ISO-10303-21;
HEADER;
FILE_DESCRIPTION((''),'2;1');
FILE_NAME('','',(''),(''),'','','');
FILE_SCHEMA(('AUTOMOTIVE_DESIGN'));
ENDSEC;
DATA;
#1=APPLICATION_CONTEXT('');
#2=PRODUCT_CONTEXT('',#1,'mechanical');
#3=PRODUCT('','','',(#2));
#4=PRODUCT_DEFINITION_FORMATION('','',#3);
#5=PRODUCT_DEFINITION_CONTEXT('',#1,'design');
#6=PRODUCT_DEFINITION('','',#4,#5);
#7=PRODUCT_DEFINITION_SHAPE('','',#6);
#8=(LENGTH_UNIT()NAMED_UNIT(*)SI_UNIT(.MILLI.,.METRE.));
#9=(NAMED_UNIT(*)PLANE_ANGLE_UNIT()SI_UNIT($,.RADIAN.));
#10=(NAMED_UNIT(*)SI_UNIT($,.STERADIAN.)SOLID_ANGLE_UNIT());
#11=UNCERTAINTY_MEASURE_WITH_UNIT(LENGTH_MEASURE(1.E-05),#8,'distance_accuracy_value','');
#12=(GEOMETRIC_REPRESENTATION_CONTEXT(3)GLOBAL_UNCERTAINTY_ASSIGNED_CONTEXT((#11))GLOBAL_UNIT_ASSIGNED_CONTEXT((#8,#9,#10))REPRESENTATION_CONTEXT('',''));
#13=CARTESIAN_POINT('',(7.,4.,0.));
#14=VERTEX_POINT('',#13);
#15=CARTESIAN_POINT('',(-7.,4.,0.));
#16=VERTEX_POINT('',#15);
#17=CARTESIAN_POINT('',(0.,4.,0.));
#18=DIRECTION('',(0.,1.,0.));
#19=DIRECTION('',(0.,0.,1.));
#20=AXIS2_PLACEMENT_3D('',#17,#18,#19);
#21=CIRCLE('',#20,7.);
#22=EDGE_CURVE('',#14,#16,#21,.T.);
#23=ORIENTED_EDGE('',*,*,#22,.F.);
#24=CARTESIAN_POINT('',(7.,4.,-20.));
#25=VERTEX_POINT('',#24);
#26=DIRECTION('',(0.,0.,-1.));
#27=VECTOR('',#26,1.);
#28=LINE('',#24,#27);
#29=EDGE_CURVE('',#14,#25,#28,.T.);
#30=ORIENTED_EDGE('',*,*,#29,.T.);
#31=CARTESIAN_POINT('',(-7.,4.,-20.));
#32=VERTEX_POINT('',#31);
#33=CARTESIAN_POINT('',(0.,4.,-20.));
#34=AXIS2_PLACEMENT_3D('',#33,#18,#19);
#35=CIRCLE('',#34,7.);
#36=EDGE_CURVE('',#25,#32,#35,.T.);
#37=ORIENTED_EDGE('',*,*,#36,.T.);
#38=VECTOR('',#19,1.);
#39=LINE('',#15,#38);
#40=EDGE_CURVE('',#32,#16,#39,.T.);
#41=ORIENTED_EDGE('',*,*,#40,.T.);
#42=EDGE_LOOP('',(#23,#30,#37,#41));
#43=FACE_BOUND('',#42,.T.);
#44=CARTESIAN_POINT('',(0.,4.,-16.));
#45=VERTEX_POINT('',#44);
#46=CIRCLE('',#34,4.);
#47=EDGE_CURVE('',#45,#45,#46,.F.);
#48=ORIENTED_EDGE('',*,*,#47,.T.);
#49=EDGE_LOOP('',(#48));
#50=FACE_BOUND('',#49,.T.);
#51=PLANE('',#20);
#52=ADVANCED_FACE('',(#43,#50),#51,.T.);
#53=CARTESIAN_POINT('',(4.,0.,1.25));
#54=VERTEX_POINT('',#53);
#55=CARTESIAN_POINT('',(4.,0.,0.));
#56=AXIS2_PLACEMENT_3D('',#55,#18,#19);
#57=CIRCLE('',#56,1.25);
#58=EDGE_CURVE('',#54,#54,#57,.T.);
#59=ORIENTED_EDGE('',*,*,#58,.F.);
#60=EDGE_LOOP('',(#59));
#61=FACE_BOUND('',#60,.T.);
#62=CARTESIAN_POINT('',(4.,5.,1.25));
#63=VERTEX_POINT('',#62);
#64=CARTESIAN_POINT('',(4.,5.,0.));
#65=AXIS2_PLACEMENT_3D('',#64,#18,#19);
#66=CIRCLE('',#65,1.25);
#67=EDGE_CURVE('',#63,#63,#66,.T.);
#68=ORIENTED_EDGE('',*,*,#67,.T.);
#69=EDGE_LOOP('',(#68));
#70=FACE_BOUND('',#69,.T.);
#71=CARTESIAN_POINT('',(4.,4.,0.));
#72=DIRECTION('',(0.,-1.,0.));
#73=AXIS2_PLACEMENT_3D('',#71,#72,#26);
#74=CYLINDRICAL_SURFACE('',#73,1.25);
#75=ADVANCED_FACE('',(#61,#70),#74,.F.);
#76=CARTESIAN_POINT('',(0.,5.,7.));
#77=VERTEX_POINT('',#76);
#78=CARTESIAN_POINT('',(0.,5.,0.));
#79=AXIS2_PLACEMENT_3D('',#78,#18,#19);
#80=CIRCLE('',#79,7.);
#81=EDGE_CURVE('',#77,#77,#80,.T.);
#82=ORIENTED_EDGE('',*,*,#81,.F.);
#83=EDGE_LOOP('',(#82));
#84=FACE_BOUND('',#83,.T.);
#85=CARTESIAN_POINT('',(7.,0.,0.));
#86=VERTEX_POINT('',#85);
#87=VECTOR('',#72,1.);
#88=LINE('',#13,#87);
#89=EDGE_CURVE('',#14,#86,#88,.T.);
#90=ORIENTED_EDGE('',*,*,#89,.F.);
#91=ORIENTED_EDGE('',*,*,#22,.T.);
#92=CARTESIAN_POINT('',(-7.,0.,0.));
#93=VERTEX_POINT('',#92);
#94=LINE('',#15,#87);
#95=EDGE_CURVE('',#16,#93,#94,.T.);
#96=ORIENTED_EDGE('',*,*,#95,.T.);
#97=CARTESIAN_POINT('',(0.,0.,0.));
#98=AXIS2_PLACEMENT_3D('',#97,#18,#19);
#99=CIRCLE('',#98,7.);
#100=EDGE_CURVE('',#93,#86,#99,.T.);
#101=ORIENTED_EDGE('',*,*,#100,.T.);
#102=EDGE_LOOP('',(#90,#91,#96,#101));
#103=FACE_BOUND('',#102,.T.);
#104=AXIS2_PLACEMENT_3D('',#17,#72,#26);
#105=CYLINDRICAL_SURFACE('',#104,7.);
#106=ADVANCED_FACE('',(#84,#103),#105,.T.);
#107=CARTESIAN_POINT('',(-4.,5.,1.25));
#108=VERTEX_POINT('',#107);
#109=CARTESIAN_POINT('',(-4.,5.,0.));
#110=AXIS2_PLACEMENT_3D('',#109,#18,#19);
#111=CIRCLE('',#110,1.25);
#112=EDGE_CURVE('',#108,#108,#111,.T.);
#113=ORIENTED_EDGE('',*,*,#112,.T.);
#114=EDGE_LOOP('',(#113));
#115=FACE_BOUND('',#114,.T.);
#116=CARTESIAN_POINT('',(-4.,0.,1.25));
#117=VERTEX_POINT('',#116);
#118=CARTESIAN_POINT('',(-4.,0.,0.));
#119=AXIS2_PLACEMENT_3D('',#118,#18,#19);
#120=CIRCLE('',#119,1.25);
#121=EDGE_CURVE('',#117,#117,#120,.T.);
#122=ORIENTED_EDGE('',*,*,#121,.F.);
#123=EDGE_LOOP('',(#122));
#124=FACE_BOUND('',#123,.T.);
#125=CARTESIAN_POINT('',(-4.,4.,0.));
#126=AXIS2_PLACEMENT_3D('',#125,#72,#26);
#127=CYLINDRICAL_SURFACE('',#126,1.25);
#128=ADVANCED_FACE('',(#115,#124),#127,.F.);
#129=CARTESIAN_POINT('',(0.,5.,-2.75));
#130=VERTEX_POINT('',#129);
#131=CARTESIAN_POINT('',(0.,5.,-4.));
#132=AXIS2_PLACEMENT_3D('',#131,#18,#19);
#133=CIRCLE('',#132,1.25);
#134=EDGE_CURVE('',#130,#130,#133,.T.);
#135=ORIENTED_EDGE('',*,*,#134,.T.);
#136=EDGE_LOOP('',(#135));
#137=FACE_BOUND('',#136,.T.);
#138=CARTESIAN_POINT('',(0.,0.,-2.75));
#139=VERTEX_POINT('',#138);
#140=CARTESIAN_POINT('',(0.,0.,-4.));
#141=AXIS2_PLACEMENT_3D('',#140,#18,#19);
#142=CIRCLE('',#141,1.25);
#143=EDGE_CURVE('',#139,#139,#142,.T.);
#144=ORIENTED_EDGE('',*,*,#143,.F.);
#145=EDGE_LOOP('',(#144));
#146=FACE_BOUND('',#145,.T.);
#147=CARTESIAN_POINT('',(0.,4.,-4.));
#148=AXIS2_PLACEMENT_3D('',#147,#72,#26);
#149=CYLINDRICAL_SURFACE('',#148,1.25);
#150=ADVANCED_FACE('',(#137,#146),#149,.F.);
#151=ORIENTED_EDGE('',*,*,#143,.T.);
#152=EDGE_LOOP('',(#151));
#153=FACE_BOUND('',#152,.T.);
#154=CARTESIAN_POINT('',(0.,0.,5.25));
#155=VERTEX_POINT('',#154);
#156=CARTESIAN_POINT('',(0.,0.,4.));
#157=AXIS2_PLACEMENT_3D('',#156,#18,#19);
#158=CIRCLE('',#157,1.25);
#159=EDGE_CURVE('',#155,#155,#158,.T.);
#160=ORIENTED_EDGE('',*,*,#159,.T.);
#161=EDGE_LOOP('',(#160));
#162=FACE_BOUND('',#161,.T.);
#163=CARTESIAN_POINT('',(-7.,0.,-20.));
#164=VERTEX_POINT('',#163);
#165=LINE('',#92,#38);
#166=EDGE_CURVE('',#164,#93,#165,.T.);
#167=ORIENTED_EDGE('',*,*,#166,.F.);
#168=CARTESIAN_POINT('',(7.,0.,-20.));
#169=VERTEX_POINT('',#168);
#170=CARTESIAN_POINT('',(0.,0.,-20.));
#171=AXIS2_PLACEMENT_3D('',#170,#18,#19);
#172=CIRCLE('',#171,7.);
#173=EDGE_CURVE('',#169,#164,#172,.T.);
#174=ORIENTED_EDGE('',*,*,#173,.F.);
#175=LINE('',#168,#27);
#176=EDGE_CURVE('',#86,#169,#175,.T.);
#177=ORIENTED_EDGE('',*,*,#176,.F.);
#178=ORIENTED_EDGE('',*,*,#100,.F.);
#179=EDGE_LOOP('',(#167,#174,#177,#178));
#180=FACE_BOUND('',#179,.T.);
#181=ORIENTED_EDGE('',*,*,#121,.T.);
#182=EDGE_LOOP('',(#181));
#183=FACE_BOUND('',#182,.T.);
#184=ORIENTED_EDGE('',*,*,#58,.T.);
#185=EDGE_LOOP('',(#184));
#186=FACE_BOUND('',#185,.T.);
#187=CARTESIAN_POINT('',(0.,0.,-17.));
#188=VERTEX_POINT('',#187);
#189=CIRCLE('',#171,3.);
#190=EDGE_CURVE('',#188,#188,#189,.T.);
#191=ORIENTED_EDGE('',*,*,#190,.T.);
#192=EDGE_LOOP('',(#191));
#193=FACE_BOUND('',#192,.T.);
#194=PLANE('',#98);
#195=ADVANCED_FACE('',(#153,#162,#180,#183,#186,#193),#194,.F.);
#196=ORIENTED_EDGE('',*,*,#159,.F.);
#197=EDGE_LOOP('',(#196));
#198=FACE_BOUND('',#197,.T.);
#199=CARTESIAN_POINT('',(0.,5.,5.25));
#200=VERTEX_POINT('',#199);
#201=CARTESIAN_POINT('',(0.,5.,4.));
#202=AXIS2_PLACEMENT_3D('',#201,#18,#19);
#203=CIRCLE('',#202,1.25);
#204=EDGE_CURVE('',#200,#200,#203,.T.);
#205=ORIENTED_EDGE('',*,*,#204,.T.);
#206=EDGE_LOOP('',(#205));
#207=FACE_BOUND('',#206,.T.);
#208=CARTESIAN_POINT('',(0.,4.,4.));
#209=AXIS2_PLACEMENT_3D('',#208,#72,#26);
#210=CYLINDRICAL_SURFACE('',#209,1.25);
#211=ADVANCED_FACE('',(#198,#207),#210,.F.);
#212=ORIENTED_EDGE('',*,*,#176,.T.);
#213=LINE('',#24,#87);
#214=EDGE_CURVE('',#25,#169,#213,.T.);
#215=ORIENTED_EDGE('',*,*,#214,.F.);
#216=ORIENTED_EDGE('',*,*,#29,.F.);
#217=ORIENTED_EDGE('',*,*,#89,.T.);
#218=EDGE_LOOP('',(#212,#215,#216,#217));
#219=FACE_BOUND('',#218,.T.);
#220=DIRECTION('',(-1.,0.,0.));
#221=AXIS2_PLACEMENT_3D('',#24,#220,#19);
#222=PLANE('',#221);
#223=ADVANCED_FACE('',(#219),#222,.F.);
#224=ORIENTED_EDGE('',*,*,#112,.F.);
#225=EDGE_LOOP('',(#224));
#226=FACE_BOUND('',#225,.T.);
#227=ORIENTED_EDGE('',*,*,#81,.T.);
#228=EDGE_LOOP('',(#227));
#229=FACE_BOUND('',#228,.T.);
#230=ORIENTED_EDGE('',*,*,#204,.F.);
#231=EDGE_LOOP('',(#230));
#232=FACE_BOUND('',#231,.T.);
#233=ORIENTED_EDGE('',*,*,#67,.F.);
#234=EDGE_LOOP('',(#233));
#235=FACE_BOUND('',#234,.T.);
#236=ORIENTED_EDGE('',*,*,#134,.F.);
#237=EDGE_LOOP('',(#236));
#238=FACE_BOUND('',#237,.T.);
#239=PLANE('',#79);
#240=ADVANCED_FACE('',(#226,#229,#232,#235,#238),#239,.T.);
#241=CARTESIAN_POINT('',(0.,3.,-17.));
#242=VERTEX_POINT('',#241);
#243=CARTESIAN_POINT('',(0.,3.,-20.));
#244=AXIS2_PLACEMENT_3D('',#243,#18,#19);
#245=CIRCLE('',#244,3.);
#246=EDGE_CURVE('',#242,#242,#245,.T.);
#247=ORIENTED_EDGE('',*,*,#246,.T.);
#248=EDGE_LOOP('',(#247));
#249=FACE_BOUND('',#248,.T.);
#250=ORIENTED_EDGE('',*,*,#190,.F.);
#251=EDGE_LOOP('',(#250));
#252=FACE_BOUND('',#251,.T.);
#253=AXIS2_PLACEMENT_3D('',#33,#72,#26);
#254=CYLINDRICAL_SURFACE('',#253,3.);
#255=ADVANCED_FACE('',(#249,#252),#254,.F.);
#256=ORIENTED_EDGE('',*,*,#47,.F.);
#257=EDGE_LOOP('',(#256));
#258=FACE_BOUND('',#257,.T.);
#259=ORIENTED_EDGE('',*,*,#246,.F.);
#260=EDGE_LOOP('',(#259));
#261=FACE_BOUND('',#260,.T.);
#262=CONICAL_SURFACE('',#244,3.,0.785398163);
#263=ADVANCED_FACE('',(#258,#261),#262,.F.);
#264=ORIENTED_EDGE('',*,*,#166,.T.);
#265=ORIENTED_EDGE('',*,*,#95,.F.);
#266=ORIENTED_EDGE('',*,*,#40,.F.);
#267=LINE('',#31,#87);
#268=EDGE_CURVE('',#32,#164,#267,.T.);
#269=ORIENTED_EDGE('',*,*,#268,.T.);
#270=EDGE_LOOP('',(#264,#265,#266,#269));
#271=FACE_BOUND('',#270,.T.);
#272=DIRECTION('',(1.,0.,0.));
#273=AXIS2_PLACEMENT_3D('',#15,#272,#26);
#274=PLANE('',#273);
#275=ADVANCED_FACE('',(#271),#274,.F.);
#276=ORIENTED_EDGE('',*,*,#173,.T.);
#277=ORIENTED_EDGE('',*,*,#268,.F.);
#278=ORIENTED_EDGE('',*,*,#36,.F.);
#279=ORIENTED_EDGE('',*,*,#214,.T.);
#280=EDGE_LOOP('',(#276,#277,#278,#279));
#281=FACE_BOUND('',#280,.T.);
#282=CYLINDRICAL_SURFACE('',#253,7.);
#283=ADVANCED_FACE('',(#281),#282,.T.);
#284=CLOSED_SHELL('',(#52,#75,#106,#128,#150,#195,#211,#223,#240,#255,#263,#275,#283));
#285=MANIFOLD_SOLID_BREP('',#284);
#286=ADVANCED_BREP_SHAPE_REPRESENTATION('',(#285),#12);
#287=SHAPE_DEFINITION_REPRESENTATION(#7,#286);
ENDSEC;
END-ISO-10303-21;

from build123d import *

# Parameters (mm, degrees)
SKETCH_1_R      = 1.25
SKETCH_1_R_2    = 3
EXTRUDE_1_DEPTH = 4
CHAMFER_1_SIZE  = 1
SKETCH_2_R      = 7
SKETCH_2_R_2    = 1.25
EXTRUDE_2_DEPTH = 1


with BuildPart() as part:
    # 草图1 → 凸台-拉伸1 (new body)
    with BuildSketch(Plane(origin=(0, 0, 0), x_dir=(1, 0, 0), z_dir=(0, 1, 0))):
        with BuildLine():
            Line((-7, 0), (-7, 20))
            ThreePointArc((-7, 20), (0, 27), (7, 20))
            Line((7, 20), (7, 0))
            ThreePointArc((7, 0), (0, -7), (-7, 0))
        make_face()
        with Locations(Location((0, 4, 0), (0, 0, 270))):
            Circle(SKETCH_1_R, mode=Mode.SUBTRACT)
        with Locations(Location((4, 0, 0), (0, 0, 270))):
            Circle(SKETCH_1_R, mode=Mode.SUBTRACT)
        with Locations(Location((0, -4, 0), (0, 0, 270))):
            Circle(SKETCH_1_R, mode=Mode.SUBTRACT)
        with Locations(Location((-4, 0, 0), (0, 0, 270))):
            Circle(SKETCH_1_R, mode=Mode.SUBTRACT)
        with Locations(Location((0, 20, 0), (0, 0, 270))):
            Circle(SKETCH_1_R_2, mode=Mode.SUBTRACT)
    extrude(amount=EXTRUDE_1_DEPTH)

    # 倒角1
    chamfer_1_edges = [part.edges().sort_by_distance(p)[0] for p in [
        (0, 4, -23),
    ]]
    chamfer(chamfer_1_edges, length=CHAMFER_1_SIZE)

    # 草图2 → 凸台-拉伸2 (add)
    with BuildSketch(Plane(origin=(0, 4, 0), x_dir=(1, 0, 0), z_dir=(0, 1, 0))):
        Circle(SKETCH_2_R)
        with Locations(Location((4, 0, 0), (0, 0, 270))):
            Circle(SKETCH_2_R_2, mode=Mode.SUBTRACT)
        with Locations(Location((0, 4, 0), (0, 0, 270))):
            Circle(SKETCH_2_R_2, mode=Mode.SUBTRACT)
        with Locations(Location((-4, 0, 0), (0, 0, 270))):
            Circle(SKETCH_2_R_2, mode=Mode.SUBTRACT)
        with Locations(Location((0, -4, 0), (0, 0, 270))):
            Circle(SKETCH_2_R_2, mode=Mode.SUBTRACT)
    extrude(amount=EXTRUDE_2_DEPTH)


solid = part.part
